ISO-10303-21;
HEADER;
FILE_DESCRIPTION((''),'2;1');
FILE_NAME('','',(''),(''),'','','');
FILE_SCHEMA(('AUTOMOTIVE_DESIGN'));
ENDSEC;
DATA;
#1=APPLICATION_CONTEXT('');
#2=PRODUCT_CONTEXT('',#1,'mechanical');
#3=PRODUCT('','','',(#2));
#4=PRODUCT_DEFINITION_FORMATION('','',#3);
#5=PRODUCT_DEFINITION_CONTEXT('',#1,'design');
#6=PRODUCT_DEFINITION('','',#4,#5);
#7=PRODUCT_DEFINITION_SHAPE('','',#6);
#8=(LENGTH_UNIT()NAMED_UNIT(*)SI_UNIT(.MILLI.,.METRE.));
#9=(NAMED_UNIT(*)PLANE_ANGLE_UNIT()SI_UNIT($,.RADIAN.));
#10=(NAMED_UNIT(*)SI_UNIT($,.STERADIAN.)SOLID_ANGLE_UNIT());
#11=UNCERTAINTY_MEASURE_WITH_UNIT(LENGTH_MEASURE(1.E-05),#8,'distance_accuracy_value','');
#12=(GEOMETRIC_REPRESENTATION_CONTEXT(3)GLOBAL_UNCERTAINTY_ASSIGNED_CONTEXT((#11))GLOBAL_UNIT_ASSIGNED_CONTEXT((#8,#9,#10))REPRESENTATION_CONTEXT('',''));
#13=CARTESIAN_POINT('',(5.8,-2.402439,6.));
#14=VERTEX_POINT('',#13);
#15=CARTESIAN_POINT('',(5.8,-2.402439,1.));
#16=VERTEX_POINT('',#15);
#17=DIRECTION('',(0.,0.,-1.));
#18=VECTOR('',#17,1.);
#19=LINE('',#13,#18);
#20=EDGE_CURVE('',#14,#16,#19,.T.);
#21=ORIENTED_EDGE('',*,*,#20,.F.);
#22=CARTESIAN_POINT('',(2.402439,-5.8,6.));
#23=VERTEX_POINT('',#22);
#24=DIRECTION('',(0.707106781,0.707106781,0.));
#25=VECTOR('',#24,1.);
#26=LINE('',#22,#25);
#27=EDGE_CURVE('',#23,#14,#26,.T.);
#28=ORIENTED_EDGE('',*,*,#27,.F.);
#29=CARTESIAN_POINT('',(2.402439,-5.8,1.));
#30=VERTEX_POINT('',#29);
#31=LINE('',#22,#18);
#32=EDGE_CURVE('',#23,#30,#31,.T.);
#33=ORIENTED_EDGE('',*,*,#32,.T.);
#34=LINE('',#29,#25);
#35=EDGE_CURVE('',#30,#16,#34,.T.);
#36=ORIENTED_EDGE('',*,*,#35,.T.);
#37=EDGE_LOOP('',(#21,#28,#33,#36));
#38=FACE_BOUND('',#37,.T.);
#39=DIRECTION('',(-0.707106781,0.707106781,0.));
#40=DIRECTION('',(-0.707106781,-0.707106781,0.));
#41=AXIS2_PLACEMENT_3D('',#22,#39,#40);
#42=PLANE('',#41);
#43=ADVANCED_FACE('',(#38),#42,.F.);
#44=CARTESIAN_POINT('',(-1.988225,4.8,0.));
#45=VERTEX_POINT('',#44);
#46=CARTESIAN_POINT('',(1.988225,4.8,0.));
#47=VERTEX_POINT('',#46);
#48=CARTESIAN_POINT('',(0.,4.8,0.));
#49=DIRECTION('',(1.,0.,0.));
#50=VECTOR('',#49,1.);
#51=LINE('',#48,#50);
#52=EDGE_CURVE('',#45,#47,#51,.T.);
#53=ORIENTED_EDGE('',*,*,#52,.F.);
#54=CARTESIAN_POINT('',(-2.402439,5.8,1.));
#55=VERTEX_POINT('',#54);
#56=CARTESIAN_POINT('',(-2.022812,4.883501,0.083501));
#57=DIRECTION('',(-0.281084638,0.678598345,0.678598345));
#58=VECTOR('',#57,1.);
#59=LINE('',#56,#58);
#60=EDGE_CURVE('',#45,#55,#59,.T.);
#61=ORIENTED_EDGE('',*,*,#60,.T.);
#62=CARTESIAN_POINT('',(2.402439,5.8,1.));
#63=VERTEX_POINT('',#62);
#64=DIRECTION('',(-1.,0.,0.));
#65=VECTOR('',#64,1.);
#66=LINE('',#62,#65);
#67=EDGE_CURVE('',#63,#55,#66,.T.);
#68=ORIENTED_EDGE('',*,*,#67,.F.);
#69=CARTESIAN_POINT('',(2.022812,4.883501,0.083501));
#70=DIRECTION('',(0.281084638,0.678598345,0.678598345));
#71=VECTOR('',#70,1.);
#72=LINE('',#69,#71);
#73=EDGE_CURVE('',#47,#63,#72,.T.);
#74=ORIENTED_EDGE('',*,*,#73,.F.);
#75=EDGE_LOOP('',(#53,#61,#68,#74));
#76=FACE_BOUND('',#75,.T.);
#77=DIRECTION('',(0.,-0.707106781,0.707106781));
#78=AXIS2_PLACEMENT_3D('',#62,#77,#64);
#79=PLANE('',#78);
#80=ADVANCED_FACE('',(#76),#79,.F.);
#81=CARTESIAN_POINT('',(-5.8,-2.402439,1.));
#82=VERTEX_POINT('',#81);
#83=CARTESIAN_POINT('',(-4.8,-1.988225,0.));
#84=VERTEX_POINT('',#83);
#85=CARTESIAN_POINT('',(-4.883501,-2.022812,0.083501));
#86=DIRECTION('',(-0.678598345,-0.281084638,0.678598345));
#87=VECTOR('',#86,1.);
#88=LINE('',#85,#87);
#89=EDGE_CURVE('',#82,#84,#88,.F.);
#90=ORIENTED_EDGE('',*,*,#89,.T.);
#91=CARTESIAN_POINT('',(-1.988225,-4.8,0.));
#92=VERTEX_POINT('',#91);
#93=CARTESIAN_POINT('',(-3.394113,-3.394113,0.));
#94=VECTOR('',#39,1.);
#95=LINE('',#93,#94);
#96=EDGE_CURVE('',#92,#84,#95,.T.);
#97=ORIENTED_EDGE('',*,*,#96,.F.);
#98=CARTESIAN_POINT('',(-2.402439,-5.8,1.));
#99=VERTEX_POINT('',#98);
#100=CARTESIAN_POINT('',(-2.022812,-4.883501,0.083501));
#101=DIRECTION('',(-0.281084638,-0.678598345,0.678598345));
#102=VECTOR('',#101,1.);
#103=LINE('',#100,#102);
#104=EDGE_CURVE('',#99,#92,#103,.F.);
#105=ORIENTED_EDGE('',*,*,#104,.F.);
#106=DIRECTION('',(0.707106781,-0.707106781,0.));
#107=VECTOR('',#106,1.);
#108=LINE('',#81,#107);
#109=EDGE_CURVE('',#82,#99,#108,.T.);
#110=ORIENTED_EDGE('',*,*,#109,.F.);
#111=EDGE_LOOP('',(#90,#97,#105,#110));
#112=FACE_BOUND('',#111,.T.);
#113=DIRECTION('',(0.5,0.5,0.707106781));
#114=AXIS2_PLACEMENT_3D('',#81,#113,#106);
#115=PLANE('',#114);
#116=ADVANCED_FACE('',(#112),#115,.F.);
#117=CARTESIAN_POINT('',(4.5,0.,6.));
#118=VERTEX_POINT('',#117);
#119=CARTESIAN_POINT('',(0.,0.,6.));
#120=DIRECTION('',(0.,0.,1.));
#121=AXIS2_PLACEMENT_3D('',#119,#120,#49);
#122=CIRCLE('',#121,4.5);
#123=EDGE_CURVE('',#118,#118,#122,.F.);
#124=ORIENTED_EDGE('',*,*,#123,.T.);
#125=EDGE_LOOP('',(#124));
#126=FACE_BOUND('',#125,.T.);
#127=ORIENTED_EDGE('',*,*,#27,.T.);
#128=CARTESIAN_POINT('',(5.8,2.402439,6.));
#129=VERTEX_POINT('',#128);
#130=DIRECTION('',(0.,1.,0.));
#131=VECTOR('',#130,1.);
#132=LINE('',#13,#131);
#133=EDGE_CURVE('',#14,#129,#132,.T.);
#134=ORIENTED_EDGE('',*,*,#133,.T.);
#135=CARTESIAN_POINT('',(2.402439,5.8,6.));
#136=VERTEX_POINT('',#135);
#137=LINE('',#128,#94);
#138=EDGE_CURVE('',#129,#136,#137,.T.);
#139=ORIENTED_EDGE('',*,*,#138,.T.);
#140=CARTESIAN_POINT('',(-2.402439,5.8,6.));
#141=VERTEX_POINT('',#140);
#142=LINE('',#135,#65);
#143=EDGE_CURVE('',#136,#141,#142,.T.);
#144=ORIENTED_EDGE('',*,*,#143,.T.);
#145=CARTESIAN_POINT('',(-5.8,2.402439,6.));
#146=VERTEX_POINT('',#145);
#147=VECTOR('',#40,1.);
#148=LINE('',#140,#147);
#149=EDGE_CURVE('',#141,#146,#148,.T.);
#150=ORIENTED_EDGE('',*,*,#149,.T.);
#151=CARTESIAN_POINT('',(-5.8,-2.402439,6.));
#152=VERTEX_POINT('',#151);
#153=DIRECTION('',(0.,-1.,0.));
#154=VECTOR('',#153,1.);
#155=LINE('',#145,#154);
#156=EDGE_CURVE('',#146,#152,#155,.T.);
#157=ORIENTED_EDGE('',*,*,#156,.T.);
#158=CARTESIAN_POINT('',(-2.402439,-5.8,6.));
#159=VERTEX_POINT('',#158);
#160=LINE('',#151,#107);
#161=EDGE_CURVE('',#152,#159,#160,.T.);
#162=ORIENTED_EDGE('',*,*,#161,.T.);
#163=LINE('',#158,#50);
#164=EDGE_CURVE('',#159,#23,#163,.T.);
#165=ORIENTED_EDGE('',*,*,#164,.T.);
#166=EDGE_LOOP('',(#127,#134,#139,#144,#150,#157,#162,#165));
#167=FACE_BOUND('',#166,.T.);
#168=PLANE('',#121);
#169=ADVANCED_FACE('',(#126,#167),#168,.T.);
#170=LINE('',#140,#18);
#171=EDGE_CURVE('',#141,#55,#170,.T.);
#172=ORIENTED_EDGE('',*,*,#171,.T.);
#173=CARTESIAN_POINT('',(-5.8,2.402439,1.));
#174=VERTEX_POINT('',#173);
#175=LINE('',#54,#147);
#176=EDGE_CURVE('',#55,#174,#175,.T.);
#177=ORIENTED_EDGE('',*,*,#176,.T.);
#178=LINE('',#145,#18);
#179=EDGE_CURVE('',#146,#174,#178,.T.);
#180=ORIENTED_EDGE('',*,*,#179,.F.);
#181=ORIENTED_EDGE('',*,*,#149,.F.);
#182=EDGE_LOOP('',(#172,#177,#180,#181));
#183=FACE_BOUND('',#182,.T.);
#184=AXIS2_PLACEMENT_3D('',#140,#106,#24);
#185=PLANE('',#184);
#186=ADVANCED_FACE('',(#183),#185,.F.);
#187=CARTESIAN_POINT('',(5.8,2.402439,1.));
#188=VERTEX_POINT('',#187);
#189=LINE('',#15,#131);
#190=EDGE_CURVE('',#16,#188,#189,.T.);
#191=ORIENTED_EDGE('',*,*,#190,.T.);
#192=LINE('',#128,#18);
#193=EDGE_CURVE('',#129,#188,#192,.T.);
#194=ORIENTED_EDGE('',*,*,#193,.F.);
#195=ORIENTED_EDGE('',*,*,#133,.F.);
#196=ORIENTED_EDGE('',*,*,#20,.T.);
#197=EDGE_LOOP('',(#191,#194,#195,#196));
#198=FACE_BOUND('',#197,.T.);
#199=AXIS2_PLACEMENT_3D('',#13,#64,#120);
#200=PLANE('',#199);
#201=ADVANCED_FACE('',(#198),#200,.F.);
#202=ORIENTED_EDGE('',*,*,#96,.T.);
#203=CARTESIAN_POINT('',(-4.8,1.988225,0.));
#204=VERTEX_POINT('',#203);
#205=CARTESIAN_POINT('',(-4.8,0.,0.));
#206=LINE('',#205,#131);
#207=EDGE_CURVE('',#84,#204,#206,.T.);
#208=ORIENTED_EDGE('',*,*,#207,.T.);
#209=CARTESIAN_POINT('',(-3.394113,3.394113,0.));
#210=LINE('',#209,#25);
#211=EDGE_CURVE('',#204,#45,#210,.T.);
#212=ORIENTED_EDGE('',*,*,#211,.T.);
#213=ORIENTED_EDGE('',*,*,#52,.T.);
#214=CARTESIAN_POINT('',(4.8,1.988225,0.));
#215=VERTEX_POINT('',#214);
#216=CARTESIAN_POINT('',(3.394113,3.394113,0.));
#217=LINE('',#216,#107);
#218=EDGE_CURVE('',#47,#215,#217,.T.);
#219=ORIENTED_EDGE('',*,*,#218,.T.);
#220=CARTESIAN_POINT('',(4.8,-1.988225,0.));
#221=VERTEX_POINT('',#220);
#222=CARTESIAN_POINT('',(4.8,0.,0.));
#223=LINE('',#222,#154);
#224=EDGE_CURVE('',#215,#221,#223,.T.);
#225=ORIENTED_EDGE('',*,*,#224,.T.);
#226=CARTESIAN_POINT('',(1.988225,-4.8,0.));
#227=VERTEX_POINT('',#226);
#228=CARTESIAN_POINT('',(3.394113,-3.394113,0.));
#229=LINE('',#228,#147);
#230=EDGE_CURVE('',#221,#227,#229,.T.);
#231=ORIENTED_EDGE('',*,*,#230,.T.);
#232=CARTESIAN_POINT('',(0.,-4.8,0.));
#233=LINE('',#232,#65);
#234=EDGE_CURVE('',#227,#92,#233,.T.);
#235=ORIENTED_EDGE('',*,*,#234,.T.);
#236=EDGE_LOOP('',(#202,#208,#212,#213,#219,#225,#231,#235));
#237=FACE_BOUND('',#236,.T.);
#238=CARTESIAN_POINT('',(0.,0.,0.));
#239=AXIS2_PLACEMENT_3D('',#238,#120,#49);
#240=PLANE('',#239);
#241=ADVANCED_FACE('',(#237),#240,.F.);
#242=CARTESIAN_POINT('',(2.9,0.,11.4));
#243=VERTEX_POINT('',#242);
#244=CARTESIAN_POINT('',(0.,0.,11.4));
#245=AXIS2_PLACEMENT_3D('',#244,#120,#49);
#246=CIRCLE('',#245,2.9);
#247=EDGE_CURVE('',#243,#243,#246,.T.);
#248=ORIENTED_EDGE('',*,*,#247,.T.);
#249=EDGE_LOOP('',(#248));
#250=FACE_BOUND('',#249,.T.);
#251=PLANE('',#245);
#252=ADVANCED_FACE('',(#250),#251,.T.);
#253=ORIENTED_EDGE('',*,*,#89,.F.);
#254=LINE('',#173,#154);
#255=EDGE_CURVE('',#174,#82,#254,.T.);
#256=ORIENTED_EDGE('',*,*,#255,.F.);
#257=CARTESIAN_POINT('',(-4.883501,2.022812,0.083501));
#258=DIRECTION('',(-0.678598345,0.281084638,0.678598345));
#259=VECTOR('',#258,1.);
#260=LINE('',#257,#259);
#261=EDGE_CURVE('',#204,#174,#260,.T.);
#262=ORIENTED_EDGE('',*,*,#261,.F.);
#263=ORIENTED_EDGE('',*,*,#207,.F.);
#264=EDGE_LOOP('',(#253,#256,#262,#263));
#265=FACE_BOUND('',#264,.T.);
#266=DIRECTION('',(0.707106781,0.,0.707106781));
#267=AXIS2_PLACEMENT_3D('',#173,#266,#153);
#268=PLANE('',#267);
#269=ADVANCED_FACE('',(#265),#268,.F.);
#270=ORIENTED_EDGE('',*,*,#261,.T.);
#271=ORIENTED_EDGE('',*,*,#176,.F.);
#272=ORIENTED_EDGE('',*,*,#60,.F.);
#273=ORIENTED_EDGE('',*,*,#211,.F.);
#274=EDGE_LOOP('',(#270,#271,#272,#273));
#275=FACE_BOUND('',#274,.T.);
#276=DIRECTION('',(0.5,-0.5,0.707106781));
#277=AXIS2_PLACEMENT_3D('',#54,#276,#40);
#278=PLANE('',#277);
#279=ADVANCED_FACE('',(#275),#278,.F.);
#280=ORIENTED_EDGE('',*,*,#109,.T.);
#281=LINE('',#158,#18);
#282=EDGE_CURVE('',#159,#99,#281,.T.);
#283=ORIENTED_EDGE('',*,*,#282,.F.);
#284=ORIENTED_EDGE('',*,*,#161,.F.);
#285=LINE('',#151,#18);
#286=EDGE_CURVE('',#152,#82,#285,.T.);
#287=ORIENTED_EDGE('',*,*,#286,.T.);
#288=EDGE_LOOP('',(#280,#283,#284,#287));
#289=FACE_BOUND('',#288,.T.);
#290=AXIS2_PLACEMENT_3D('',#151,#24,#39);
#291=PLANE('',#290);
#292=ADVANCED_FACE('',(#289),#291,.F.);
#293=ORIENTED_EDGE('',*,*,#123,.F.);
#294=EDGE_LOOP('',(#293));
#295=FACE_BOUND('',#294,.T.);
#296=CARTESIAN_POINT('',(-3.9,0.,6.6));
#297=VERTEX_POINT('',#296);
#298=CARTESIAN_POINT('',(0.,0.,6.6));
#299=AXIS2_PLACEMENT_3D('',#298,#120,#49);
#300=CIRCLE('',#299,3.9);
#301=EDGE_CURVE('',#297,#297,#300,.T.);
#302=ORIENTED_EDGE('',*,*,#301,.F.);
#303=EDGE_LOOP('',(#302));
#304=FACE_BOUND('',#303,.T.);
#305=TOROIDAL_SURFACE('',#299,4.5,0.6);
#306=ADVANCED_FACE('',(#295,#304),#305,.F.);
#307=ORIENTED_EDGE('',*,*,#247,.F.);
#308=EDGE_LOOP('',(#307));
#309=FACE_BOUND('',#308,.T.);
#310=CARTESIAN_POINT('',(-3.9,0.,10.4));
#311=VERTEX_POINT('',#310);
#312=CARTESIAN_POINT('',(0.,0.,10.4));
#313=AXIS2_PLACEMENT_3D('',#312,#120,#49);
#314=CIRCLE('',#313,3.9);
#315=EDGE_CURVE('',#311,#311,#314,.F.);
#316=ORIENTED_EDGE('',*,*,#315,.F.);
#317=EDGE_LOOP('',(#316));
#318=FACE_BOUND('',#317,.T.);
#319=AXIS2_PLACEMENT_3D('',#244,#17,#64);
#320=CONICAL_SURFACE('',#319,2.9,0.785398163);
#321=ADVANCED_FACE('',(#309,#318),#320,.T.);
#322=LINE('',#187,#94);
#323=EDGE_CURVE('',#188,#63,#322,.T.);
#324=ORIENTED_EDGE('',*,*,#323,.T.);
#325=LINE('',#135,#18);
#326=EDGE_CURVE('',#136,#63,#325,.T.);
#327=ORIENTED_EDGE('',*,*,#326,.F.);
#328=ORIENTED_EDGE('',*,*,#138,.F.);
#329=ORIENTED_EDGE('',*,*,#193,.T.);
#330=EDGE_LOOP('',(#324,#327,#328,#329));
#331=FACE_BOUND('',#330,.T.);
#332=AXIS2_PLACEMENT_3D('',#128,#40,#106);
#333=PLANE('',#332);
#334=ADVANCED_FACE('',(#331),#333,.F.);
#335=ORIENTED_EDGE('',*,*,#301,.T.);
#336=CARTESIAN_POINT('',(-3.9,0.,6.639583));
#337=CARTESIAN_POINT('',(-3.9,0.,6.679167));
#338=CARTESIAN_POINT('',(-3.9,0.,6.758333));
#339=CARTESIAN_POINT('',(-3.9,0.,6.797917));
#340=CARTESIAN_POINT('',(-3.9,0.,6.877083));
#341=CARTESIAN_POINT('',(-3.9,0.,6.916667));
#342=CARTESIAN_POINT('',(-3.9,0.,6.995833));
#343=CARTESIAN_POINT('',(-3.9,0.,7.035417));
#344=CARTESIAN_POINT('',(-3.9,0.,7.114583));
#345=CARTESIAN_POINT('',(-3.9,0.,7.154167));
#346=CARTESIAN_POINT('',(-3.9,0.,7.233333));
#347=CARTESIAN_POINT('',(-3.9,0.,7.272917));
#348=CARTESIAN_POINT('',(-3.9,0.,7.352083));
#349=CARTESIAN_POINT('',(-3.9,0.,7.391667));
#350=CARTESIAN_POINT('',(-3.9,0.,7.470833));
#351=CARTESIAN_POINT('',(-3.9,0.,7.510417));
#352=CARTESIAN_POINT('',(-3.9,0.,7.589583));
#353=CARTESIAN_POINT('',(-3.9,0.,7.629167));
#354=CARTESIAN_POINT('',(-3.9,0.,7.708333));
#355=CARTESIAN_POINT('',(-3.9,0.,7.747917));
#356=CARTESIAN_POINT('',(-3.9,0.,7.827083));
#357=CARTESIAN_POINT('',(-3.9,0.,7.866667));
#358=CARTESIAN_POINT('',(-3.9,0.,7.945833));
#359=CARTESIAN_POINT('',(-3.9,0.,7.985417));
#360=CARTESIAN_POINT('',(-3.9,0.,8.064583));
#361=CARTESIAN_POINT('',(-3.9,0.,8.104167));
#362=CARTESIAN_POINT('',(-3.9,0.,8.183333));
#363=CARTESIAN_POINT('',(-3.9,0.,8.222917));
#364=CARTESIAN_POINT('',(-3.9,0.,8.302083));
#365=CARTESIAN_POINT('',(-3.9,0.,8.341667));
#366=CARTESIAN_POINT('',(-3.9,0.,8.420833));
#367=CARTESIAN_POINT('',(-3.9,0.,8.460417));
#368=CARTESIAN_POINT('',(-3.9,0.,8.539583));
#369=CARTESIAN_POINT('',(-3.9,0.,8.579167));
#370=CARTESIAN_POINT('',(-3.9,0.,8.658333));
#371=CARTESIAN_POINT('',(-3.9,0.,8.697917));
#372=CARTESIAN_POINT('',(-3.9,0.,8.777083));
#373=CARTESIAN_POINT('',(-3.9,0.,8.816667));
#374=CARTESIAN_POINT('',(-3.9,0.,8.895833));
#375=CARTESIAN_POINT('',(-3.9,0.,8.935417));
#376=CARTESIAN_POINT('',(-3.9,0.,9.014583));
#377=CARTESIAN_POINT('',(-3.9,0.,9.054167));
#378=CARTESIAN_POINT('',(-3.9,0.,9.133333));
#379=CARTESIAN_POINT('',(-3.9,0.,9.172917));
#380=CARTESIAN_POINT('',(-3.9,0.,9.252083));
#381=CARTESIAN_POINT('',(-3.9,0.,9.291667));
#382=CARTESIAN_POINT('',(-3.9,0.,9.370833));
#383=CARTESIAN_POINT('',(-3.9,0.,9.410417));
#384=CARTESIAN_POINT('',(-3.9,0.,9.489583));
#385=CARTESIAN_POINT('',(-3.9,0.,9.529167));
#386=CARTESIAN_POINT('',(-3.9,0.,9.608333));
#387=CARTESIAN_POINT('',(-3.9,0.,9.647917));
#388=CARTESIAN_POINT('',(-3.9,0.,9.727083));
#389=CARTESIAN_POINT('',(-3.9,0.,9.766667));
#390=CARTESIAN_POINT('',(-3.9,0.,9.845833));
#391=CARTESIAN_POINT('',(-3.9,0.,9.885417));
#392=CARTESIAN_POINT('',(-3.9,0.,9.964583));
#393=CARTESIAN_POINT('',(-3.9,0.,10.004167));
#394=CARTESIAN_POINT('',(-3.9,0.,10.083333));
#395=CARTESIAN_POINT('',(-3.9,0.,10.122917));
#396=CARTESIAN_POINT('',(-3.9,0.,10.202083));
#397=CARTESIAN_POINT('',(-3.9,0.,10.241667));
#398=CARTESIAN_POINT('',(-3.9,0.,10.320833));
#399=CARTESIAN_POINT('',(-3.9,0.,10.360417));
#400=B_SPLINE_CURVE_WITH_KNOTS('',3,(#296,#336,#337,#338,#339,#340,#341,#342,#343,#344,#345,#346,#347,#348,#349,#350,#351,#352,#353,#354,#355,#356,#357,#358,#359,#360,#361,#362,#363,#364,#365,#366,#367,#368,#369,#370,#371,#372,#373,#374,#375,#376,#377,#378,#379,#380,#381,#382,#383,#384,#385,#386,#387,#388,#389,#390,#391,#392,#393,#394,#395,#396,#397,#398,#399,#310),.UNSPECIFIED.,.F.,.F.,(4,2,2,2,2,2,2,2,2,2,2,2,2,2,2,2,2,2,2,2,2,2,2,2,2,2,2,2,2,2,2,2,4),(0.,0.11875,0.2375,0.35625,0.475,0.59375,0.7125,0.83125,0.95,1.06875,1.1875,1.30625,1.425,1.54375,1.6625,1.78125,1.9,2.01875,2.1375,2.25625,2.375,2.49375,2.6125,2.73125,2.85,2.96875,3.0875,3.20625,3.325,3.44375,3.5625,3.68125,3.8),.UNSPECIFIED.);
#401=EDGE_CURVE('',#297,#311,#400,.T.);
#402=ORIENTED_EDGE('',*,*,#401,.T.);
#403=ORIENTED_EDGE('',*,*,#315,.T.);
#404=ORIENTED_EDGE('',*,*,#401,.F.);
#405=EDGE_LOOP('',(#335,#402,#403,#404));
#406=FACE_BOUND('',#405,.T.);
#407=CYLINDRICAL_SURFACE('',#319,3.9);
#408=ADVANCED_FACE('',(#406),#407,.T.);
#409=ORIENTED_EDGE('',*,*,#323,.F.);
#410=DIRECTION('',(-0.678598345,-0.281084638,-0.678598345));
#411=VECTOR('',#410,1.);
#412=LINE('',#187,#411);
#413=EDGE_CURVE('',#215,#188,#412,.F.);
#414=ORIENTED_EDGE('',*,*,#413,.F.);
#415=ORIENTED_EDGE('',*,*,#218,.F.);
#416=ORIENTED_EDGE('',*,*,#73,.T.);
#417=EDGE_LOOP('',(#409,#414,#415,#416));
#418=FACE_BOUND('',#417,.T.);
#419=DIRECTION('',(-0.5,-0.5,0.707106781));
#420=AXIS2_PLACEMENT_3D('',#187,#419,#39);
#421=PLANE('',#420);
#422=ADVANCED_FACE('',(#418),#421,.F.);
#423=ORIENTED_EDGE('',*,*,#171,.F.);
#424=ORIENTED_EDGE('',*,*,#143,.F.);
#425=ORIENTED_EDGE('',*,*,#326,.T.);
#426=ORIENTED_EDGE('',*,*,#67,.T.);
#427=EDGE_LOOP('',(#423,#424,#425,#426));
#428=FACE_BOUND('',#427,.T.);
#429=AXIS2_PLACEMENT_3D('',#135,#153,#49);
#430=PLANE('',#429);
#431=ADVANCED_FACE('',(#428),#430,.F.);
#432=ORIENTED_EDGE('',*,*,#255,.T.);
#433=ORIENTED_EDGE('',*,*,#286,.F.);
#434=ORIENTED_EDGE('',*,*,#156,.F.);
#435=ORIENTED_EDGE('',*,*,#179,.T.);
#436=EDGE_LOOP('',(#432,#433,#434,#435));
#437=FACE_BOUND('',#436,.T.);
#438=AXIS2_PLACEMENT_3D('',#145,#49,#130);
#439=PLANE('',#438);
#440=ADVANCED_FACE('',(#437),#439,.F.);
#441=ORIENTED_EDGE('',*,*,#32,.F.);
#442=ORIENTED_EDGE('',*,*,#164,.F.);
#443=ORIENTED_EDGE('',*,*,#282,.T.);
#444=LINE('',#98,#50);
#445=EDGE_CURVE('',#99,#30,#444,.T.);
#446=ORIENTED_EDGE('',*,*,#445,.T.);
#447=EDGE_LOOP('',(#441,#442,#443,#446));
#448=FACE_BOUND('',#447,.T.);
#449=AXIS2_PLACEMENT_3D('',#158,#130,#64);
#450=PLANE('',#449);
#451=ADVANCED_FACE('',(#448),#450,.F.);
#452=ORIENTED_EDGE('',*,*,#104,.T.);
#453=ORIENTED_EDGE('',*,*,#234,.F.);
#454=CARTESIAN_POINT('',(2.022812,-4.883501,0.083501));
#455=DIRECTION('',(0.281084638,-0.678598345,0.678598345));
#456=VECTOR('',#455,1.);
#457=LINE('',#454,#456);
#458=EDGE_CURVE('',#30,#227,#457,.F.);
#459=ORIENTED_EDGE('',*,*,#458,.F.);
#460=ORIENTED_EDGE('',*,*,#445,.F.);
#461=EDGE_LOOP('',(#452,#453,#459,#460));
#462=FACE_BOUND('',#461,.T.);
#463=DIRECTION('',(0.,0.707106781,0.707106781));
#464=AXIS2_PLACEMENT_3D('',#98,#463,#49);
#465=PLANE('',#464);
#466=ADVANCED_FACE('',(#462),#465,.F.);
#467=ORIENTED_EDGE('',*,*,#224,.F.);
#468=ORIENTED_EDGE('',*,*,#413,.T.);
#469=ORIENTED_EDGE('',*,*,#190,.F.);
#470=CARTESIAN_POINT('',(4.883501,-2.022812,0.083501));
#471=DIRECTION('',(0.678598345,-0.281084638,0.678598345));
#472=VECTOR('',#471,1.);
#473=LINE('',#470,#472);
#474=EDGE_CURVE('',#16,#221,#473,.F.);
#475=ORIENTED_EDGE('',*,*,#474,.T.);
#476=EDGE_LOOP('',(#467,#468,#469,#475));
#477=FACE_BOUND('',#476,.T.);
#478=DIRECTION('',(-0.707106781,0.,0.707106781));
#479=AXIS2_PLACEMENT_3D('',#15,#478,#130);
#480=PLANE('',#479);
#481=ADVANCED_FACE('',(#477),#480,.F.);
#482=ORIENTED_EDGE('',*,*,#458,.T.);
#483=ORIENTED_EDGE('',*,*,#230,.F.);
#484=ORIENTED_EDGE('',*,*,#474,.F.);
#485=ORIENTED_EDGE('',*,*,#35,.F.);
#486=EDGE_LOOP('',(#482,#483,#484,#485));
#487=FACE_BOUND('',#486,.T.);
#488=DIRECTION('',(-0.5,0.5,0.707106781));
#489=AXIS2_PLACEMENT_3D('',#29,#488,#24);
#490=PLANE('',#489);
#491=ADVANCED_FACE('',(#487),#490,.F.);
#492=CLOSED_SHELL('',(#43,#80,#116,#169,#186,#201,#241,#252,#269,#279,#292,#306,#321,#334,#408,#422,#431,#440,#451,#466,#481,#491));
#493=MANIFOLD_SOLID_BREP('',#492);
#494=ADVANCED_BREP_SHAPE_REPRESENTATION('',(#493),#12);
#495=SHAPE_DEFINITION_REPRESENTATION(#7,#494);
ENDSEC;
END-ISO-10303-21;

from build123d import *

# Parameters (mm, degrees)
SALIENTE_EXTRUIR1_DEPTH = 6
CROQUIS2_R              = 3.9
SALIENTE_EXTRUIR2_DEPTH = 5.4
CHAFL_N1_SIZE           = 1
REDONDEO1_R             = 0.6
CHAFL_N2_SIZE           = 1


with BuildPart() as part:
    # Croquis1 → Saliente-Extruir1 (new body)
    with BuildSketch(Plane(origin=(0, 0, 0), x_dir=(0, 1, 0), z_dir=(0, 0, 1))):
        Polygon((5.8, -2.402438662), (5.8, 2.402438662), (2.402438662, 5.8), (-2.402438662, 5.8), (-5.8, 2.402438662), (-5.8, -2.402438662), (-2.402438662, -5.8), (2.402438662, -5.8), align=None)
    extrude(amount=SALIENTE_EXTRUIR1_DEPTH)

    # Croquis2 → Saliente-Extruir2 (add)
    with BuildSketch(Plane.XY.offset(6)):
        with Locations(Location((0, 0, 0), (0, 0, 180))):
            Circle(CROQUIS2_R)
    extrude(amount=SALIENTE_EXTRUIR2_DEPTH)

    # Chaflán1
    chafl_n1_edges = [part.edges().sort_by_distance(p)[0] for p in [
        (3.9, 0, 11.4),
    ]]
    chamfer(chafl_n1_edges, length=CHAFL_N1_SIZE)

    # Redondeo1
    redondeo1_edges = [part.edges().sort_by_distance(p)[0] for p in [
        (3.9, 0, 6),
    ]]
    fillet(redondeo1_edges, radius=REDONDEO1_R)

    # Chaflán2
    chafl_n2_edges = [part.edges().sort_by_distance(p)[0] for p in [
        (-5.8, 0, 0),
        (-4.101219331, 4.101219331, 0),
        (0, 5.8, 0),
        (4.101219331, 4.101219331, 0),
        (5.8, 0, 0),
        (4.101219331, -4.101219331, 0),
        (0, -5.8, 0),
        (-4.101219331, -4.101219331, 0),
    ]]
    chamfer(chafl_n2_edges, length=CHAFL_N2_SIZE)


solid = part.part
